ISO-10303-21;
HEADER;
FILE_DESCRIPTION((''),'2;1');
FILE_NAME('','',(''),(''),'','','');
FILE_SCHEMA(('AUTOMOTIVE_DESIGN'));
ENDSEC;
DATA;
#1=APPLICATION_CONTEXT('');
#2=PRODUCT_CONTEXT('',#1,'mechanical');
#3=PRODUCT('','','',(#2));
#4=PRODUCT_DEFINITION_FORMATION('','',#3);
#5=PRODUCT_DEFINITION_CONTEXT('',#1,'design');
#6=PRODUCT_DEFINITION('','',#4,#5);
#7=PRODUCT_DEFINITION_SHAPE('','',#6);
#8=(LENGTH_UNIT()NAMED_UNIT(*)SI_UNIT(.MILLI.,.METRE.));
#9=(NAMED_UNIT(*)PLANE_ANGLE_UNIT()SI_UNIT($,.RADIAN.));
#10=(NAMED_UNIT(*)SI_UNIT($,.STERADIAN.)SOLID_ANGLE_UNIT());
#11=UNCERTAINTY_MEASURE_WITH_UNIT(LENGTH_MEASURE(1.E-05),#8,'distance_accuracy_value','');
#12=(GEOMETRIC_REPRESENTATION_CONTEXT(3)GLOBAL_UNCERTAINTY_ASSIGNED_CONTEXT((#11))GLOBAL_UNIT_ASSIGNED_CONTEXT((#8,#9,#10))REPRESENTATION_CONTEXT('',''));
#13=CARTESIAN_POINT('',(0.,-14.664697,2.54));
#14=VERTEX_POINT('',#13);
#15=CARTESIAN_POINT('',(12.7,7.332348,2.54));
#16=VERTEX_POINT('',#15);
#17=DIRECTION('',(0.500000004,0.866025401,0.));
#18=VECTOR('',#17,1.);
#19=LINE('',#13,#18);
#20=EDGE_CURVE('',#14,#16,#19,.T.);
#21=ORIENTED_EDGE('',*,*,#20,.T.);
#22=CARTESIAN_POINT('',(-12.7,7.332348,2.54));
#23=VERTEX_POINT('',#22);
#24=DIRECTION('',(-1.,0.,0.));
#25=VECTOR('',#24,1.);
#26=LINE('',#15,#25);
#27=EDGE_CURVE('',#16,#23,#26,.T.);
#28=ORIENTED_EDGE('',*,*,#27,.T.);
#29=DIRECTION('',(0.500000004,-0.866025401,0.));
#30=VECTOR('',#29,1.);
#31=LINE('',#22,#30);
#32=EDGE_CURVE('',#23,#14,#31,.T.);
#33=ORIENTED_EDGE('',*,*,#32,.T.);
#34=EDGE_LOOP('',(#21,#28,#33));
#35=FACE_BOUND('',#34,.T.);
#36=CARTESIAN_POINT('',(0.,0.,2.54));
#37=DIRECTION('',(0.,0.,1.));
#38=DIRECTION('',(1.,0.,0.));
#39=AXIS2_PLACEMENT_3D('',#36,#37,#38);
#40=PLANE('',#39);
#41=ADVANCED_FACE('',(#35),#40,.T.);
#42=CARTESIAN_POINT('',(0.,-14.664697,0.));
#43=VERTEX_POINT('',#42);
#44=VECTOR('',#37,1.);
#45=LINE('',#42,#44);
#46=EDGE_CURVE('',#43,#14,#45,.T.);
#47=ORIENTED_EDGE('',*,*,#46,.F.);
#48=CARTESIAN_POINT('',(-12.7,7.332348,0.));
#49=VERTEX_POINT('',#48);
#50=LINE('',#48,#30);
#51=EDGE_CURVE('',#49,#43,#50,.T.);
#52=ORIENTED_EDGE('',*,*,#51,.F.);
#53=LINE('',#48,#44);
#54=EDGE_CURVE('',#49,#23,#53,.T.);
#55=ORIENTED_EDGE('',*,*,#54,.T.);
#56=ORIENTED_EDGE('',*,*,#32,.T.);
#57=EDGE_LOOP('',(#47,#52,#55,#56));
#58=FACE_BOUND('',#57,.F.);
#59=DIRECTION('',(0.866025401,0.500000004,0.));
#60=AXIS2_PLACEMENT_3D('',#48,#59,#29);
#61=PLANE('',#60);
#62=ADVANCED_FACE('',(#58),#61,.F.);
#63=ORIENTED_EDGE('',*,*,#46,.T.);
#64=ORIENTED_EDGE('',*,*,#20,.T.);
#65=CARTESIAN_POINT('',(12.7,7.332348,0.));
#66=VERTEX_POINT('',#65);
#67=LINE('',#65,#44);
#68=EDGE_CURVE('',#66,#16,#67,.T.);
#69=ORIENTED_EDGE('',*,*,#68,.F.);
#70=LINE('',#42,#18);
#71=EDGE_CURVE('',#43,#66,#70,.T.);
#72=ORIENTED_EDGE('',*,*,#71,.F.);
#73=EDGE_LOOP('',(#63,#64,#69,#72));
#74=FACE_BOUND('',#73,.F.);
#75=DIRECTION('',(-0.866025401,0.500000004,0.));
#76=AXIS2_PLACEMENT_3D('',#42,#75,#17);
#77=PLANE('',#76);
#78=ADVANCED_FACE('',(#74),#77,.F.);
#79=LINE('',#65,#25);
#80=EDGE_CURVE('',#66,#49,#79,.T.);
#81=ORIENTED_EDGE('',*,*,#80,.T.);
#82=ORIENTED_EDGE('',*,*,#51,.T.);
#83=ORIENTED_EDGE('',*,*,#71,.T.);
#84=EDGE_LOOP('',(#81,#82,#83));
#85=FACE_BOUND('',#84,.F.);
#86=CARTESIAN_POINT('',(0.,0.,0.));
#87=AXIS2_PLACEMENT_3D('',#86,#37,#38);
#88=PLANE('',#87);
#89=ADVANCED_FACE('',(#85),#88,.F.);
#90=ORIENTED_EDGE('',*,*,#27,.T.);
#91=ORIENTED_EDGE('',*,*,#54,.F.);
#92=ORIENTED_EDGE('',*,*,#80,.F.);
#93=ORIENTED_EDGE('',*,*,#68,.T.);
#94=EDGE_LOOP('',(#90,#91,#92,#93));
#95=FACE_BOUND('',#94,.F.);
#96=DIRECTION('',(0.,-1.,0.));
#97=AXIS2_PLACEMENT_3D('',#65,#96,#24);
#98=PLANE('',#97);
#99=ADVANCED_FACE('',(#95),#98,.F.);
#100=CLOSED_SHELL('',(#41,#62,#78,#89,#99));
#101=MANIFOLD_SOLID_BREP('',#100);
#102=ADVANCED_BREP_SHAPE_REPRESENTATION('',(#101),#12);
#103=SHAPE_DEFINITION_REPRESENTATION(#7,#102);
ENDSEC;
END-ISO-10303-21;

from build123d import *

# Parameters (mm, degrees)
F0_R     = 5.646681
F1_DEPTH = 2.54


with BuildPart() as f1:
    # F0 (on Top) → F1 (new body)
    with BuildSketch(Plane.XY):
        Polygon((12.7, 7.332348), (-12.7, 7.332348), (0, -14.664697), align=None)
        Circle(F0_R, mode=Mode.SUBTRACT)
        Circle(F0_R)
    extrude(amount=F1_DEPTH)


solid = f1.part
